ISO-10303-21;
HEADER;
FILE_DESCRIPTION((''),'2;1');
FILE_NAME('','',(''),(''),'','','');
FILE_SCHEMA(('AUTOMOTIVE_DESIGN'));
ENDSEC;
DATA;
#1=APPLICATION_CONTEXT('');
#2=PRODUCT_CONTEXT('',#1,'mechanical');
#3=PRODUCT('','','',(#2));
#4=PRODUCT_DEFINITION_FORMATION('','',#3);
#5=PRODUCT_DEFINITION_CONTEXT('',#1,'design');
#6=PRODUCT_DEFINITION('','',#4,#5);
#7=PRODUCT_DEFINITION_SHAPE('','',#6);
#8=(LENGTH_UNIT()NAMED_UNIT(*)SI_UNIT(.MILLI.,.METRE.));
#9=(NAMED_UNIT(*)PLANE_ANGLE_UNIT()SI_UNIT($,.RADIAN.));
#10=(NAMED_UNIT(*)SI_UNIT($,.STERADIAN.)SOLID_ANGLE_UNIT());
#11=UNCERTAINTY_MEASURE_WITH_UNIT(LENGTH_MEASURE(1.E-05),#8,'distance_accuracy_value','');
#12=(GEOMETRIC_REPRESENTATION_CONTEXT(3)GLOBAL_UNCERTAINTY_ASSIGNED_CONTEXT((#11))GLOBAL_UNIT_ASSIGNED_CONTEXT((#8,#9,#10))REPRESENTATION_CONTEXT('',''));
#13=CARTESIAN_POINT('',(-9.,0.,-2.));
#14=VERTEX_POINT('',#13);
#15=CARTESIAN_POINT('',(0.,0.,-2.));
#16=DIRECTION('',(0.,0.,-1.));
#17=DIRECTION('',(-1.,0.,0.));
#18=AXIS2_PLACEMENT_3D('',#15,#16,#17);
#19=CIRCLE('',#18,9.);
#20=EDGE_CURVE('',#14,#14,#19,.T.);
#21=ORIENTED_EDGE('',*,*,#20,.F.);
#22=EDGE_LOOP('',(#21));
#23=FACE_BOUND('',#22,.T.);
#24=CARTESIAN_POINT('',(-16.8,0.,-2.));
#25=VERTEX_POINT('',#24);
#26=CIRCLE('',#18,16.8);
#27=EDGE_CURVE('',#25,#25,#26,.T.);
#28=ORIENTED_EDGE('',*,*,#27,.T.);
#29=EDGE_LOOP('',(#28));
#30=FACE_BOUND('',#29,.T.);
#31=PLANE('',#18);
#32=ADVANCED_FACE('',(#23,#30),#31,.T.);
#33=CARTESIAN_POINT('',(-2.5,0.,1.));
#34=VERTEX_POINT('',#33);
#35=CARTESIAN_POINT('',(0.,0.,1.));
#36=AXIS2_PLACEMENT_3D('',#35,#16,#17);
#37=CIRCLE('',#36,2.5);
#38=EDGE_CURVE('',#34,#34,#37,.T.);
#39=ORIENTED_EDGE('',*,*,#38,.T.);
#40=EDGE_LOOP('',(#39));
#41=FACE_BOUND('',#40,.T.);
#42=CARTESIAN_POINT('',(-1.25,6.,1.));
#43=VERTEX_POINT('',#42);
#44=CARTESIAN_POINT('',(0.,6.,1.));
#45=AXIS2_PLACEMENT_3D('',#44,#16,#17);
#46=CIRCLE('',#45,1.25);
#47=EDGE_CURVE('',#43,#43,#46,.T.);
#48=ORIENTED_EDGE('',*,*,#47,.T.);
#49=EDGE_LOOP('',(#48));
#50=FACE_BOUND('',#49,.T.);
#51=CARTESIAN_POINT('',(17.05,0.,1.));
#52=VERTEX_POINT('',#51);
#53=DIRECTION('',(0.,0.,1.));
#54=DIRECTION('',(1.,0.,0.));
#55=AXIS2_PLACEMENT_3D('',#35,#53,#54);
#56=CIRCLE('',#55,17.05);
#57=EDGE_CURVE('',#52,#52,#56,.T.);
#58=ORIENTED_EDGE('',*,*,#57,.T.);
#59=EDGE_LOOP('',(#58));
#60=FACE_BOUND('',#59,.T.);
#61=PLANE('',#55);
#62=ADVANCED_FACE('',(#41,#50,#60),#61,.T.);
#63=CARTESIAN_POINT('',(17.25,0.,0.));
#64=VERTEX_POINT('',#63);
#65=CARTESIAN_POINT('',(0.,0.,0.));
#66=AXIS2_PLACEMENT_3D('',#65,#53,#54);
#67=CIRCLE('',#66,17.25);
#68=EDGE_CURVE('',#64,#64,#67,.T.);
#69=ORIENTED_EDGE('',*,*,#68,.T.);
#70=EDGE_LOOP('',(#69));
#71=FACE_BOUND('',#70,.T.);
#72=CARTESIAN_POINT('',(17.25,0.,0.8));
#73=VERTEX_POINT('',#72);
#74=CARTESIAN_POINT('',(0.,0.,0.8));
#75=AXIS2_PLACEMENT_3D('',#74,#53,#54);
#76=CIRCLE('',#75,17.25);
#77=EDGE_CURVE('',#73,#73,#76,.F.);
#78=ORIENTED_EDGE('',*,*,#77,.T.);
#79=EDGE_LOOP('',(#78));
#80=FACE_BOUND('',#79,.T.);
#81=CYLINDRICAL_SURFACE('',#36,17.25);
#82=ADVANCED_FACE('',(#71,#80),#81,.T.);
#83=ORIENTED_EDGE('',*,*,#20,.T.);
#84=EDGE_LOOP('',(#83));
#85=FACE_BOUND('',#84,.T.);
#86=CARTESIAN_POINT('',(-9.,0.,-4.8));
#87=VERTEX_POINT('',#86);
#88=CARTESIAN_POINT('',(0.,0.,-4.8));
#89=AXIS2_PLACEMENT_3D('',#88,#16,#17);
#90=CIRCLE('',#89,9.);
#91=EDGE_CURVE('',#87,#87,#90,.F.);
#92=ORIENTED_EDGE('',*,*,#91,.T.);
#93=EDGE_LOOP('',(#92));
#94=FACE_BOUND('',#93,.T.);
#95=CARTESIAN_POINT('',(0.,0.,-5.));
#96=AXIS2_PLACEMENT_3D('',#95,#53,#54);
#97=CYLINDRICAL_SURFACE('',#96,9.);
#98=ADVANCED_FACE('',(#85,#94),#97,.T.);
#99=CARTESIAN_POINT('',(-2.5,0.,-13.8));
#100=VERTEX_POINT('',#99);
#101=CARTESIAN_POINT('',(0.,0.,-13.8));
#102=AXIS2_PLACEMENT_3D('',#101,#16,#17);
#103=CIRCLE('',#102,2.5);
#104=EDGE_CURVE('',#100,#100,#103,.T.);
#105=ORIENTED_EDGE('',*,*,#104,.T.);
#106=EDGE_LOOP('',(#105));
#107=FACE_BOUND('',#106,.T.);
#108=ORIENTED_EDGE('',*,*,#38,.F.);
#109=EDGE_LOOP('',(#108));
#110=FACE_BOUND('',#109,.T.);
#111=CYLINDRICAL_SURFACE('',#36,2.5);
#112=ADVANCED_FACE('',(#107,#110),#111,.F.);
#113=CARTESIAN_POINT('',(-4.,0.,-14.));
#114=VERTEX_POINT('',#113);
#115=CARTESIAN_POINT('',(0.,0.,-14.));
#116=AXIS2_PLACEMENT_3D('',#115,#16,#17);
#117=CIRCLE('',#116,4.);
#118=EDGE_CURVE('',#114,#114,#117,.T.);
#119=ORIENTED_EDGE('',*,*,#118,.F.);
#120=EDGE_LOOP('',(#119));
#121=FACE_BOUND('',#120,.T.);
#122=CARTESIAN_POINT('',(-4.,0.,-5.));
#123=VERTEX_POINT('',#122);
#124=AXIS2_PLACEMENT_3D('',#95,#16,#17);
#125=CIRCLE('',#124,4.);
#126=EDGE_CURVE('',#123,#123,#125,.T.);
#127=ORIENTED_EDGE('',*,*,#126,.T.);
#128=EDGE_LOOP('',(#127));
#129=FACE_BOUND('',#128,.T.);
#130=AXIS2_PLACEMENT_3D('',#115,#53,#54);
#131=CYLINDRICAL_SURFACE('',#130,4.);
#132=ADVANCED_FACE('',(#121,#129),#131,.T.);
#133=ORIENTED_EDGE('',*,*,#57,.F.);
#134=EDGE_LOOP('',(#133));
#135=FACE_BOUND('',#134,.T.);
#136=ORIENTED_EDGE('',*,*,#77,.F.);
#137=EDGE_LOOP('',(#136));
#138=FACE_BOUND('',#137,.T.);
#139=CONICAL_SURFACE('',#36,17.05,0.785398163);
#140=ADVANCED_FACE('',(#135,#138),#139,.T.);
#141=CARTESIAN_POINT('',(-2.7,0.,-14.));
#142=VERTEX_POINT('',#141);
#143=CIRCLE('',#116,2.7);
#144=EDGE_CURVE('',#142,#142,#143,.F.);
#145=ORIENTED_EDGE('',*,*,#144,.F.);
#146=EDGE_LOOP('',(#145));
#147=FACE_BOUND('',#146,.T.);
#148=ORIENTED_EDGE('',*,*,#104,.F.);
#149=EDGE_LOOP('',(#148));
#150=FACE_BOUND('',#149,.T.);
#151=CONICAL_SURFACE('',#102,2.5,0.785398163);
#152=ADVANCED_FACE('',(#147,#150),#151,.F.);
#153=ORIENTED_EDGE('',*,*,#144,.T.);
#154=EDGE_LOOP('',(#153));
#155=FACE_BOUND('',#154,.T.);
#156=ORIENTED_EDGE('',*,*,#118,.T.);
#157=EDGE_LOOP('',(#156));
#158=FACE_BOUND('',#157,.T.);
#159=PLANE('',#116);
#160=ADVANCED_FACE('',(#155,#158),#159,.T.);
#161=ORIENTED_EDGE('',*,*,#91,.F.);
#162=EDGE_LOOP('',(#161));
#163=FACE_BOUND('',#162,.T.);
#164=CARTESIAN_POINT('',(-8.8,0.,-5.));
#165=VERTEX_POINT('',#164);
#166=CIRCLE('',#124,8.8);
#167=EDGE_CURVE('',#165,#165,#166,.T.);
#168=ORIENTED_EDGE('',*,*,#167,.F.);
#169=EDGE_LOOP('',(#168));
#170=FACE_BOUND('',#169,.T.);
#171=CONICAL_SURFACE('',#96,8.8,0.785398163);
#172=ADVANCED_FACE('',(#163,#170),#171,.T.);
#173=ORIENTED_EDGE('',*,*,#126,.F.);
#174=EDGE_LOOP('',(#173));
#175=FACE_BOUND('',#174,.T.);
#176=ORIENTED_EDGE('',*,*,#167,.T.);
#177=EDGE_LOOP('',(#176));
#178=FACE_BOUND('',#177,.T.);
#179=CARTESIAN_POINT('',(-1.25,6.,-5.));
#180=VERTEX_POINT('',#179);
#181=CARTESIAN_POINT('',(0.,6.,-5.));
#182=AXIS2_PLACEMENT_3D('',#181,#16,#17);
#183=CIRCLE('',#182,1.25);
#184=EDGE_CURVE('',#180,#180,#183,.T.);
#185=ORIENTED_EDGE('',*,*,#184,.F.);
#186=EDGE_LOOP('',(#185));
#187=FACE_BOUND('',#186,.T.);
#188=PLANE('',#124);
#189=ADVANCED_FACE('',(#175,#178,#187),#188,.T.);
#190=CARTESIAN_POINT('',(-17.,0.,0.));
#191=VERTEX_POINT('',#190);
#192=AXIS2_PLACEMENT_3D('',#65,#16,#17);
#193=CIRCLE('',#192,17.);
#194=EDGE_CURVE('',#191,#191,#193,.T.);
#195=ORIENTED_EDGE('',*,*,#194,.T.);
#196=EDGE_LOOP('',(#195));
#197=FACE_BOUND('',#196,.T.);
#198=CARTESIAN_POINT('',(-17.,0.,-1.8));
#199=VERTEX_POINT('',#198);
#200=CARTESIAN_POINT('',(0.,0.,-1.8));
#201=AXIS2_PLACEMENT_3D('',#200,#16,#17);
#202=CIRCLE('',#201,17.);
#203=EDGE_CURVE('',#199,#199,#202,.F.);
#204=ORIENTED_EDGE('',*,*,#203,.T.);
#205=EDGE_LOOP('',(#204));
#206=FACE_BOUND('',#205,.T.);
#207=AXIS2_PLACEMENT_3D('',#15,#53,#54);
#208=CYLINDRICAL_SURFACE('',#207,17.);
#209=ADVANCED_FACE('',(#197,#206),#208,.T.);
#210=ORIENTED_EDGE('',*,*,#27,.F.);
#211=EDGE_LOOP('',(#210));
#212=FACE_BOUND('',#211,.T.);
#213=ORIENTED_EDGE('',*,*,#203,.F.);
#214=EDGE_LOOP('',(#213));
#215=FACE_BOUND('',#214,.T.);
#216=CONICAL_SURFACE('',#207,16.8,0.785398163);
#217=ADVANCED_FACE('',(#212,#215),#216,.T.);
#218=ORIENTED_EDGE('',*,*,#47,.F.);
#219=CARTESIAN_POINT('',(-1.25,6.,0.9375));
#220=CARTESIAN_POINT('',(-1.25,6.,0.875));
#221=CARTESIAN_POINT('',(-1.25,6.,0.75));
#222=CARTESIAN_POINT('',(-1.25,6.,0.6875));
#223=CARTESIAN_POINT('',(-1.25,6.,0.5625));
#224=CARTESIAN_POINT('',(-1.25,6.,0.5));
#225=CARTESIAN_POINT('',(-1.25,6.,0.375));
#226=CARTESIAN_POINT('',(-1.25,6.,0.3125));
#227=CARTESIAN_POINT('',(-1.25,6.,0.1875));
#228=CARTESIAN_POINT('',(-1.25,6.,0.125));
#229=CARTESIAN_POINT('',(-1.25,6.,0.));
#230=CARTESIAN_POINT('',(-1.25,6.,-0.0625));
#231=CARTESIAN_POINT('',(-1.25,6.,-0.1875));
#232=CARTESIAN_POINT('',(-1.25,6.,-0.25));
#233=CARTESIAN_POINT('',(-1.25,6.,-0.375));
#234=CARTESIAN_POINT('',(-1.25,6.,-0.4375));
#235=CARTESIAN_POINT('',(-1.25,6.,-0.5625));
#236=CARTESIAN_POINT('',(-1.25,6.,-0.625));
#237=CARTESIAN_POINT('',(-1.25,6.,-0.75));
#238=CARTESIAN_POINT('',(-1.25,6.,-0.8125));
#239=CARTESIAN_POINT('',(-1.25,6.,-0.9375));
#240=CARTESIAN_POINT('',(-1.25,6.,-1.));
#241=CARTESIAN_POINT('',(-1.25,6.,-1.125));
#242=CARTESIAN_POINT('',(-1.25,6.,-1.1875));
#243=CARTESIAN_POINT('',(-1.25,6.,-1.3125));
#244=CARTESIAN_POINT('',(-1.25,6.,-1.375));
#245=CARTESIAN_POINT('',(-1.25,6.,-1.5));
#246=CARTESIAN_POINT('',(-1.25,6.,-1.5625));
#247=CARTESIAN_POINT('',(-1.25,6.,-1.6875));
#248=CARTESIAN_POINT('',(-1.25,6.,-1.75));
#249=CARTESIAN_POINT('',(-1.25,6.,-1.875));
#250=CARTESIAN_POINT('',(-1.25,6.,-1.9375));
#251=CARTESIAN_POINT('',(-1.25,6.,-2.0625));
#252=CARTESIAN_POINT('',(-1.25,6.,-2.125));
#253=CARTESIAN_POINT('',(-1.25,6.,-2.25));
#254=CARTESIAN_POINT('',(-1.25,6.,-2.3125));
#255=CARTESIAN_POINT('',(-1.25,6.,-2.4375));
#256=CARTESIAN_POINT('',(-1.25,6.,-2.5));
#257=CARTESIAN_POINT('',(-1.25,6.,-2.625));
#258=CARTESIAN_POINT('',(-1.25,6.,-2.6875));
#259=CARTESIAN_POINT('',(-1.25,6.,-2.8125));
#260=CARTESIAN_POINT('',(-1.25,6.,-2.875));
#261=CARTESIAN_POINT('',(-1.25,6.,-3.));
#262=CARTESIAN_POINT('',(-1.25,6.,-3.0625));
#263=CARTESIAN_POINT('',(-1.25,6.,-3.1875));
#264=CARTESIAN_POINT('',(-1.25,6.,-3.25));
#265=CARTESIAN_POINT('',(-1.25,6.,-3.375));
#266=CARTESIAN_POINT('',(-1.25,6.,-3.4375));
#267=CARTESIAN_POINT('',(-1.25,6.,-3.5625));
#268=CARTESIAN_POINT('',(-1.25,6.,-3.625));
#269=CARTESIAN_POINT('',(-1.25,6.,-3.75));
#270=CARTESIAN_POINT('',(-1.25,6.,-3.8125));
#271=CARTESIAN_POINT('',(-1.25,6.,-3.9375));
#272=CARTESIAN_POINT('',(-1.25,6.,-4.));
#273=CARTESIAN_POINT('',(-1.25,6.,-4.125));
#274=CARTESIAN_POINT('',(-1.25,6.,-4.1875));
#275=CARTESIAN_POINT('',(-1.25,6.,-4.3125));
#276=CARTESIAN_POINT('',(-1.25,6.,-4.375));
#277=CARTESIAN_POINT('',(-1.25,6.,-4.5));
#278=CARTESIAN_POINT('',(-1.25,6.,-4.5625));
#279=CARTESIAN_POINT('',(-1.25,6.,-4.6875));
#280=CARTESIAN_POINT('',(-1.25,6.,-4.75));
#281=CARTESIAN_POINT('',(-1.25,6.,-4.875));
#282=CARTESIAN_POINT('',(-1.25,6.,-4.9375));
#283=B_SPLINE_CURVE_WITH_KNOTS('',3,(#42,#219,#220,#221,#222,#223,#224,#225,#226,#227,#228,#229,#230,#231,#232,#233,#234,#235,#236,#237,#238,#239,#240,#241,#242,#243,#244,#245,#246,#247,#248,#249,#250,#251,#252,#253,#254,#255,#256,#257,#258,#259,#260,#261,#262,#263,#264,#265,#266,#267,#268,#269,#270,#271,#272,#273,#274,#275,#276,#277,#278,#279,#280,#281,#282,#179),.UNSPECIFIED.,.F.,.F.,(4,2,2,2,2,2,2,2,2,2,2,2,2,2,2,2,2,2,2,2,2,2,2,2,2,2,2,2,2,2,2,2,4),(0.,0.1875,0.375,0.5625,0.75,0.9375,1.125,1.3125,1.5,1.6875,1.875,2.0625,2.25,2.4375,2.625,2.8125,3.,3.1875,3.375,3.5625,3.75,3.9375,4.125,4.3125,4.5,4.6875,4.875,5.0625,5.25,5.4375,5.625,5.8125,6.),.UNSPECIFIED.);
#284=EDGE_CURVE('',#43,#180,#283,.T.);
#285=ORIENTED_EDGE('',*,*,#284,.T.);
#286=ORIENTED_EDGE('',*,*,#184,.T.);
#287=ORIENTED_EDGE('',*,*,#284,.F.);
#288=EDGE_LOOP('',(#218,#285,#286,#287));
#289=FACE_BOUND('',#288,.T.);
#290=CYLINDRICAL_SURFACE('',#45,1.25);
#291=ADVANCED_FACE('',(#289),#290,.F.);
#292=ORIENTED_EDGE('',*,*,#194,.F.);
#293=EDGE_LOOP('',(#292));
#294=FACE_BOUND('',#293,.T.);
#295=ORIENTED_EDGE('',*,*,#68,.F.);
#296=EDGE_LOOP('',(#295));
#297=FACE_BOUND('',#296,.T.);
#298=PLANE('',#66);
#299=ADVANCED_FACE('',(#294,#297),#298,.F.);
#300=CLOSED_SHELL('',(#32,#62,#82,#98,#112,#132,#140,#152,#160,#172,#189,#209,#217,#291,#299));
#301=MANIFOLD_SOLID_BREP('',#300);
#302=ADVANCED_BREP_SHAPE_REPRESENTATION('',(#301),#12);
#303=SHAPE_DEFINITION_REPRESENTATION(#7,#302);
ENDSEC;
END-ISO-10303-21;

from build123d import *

# Parameters (mm, degrees)
SKETCH1_R           = 17.25
BOSS_EXTRUDE1_DEPTH = 1
SKETCH2_R           = 17
BOSS_EXTRUDE2_DEPTH = 2
SKETCH3_R           = 9
BOSS_EXTRUDE3_DEPTH = 3
SKETCH4_R           = 4
BOSS_EXTRUDE4_DEPTH = 9
SKETCH5_R           = 2.5
CUT_EXTRUDE1_DEPTH  = 29.637824638
SKETCH6_R           = 1.25
CUT_EXTRUDE2_DEPTH  = 27.002403735
CHAMFER1_SIZE       = 0.2


with BuildPart() as part:
    # Sketch1 → Boss-Extrude1 (new body)
    with BuildSketch(Plane.XY):
        Circle(SKETCH1_R)
    extrude(amount=BOSS_EXTRUDE1_DEPTH)

    # Sketch2 → Boss-Extrude2 (add)
    with BuildSketch(Plane(origin=(0, 0, 0), x_dir=(-1, 0, 0), z_dir=(0, 0, -1))):
        Circle(SKETCH2_R)
    extrude(amount=BOSS_EXTRUDE2_DEPTH)

    # Sketch3 → Boss-Extrude3 (add)
    with BuildSketch(Plane(origin=(0, 0, -2), x_dir=(-1, 0, 0), z_dir=(0, 0, -1))):
        Circle(SKETCH3_R)
    extrude(amount=BOSS_EXTRUDE3_DEPTH)

    # Sketch4 → Boss-Extrude4 (add)
    with BuildSketch(Plane(origin=(0, 0, -5), x_dir=(-1, 0, 0), z_dir=(0, 0, -1))):
        Circle(SKETCH4_R)
    extrude(amount=BOSS_EXTRUDE4_DEPTH)

    # Sketch5 → Cut-Extrude1 (cut, through all)
    with BuildSketch(Plane(origin=(0, 0, -14), x_dir=(-1, 0, 0), z_dir=(0, 0, -1))):
        Circle(SKETCH5_R)
    extrude(amount=-CUT_EXTRUDE1_DEPTH, mode=Mode.SUBTRACT)

    # Sketch6 → Cut-Extrude2 (cut, through all)
    with BuildSketch(Plane(origin=(0, 0, -5), x_dir=(-1, 0, 0), z_dir=(0, 0, -1))):
        with Locations((0, 6)):
            Circle(SKETCH6_R)
    extrude(amount=-CUT_EXTRUDE2_DEPTH, mode=Mode.SUBTRACT)

    # Chamfer1
    chamfer1_edges = [part.edges().sort_by_distance(p)[0] for p in [
        (9, 0, -5),
        (2.5, 0, -14),
        (-17.25, 0, 1),
        (17, 0, -2),
    ]]
    chamfer(chamfer1_edges, length=CHAMFER1_SIZE)


solid = part.part
